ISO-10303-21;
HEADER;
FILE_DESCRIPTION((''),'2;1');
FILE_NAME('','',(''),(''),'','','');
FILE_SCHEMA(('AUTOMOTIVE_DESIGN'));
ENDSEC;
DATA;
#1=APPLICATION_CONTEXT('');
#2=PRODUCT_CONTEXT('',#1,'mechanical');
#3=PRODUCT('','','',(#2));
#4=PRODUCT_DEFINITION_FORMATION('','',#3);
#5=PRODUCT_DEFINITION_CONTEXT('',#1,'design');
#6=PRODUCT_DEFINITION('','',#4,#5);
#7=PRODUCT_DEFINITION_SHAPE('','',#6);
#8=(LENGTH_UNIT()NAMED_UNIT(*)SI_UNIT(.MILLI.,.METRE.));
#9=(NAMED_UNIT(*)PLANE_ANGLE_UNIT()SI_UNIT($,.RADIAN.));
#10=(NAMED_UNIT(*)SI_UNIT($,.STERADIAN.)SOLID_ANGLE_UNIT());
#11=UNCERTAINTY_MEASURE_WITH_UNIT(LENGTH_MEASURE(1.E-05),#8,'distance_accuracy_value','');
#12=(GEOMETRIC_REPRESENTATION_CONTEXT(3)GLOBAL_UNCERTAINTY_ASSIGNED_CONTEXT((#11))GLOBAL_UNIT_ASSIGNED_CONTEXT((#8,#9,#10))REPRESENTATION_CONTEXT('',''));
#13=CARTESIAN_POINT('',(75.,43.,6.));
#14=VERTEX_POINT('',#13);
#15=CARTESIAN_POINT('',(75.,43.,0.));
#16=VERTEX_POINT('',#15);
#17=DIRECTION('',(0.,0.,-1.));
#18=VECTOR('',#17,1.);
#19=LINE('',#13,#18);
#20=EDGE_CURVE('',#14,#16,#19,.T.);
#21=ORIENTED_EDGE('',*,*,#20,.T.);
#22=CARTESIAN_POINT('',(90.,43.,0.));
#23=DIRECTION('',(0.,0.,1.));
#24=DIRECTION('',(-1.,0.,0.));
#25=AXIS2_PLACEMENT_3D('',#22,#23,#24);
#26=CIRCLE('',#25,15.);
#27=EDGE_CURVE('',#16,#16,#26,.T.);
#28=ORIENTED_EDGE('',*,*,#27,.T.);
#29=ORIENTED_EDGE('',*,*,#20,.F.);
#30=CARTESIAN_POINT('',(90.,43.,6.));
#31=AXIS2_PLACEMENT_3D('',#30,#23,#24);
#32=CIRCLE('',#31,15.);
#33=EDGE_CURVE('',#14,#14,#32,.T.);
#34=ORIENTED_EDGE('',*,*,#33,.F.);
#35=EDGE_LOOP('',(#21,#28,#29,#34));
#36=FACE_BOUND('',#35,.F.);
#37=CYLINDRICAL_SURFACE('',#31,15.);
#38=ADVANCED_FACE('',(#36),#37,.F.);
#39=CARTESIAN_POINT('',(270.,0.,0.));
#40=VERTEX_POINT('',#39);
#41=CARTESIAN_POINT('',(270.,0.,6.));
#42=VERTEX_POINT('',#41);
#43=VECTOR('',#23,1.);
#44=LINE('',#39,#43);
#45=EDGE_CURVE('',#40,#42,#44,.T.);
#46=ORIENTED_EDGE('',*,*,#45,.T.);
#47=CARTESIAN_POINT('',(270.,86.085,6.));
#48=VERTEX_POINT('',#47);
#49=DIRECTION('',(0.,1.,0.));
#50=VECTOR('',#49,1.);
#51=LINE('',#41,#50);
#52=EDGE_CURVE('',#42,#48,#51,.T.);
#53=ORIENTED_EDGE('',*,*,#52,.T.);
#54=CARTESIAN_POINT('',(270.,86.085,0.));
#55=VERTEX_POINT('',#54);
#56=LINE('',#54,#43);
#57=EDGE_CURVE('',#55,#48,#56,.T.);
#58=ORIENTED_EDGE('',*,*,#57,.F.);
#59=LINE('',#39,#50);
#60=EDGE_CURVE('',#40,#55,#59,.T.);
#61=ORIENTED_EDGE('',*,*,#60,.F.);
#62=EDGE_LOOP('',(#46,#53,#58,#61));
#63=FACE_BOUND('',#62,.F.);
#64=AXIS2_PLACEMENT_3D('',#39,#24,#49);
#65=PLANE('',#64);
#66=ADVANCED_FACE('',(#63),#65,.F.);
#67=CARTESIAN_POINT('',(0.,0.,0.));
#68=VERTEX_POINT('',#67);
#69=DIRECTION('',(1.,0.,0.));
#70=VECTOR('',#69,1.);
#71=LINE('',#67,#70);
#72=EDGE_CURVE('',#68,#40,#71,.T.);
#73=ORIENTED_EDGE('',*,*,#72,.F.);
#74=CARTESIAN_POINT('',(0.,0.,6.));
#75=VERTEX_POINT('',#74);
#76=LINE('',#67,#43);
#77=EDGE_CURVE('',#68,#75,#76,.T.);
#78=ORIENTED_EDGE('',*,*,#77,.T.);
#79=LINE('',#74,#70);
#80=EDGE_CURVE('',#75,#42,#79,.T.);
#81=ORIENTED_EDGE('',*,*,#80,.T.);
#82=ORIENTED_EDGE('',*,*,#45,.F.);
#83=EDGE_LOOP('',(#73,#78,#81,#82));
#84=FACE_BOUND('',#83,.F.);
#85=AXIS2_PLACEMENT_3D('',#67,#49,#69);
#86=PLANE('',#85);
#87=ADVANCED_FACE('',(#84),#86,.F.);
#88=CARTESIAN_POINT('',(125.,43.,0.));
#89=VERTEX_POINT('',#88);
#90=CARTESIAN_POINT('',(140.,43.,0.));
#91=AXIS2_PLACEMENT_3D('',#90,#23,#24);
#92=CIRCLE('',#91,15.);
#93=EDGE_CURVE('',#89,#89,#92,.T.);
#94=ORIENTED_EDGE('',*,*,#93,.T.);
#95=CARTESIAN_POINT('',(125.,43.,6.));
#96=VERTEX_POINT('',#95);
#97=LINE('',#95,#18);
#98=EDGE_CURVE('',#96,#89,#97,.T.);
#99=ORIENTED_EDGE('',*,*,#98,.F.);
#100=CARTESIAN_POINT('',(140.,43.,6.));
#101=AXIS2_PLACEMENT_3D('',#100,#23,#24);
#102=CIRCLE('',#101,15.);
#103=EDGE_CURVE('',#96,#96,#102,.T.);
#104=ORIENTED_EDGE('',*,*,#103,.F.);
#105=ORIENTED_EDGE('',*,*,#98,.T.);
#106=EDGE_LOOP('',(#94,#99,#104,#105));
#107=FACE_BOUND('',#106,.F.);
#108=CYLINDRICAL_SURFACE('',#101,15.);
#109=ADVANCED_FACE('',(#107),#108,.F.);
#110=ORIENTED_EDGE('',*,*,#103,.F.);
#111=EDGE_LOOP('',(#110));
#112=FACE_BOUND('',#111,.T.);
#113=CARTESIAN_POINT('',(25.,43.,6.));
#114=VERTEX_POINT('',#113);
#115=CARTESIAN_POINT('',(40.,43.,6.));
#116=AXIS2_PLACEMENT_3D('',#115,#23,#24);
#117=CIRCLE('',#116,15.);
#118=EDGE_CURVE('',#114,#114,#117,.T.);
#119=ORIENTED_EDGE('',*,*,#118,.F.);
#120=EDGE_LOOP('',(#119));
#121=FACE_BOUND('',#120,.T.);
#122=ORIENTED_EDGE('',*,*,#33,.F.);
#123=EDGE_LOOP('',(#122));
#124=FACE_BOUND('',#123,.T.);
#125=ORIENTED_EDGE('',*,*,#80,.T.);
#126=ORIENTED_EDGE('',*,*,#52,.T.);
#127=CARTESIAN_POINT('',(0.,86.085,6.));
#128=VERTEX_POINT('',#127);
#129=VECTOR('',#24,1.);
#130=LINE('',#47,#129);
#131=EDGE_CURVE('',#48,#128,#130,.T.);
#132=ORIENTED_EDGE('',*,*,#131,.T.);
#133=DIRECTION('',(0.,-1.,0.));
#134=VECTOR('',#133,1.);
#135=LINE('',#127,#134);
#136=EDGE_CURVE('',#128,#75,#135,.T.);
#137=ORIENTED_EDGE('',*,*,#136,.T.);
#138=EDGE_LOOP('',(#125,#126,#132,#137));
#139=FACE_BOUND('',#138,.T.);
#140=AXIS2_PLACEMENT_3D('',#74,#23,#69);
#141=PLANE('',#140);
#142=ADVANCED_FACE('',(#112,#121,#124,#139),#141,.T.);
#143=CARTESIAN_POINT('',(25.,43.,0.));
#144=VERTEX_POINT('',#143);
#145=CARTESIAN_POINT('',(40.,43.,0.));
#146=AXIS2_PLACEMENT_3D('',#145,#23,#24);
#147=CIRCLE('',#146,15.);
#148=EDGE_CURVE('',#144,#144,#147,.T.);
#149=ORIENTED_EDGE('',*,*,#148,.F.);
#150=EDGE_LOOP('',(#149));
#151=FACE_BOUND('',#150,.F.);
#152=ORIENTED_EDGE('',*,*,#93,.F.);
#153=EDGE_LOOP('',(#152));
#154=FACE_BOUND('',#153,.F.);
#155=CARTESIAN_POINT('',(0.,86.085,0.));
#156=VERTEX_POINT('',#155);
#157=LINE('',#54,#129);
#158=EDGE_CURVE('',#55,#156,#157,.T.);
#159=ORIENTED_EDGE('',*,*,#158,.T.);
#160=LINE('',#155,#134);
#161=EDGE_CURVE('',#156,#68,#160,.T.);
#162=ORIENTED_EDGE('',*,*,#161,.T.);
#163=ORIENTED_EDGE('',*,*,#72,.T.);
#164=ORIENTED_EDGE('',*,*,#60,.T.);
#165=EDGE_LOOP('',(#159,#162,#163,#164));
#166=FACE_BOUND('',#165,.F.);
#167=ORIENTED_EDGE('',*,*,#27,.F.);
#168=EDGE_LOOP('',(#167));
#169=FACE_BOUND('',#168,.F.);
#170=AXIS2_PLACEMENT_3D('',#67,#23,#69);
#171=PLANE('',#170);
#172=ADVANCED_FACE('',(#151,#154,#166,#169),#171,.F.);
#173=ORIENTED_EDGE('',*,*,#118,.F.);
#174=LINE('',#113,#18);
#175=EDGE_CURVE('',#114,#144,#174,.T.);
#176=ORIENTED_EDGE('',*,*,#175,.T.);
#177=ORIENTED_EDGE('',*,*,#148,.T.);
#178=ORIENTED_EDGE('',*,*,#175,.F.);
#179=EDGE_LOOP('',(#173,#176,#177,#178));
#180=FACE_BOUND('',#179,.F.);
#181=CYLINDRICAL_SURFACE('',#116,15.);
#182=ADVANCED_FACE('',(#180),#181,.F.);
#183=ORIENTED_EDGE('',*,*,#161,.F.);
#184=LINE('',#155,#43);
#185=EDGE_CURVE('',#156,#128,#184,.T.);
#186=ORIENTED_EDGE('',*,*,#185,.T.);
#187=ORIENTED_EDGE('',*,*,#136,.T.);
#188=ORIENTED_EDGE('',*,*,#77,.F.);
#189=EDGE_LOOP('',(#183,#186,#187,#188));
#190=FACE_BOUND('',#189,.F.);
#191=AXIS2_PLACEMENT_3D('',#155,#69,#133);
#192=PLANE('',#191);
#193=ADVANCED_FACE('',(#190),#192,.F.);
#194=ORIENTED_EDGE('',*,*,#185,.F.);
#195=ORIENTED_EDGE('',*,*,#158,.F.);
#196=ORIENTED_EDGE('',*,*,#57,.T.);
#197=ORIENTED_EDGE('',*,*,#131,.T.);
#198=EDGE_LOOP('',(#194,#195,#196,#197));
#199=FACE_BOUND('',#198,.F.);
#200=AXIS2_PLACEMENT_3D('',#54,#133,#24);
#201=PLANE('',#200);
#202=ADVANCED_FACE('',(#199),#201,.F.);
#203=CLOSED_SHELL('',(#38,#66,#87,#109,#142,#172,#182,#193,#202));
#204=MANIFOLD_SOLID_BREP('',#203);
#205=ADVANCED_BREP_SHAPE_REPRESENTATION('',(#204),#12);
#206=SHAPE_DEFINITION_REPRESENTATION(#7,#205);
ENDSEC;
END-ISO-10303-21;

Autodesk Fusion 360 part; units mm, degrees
sketch "Control Panel Top" plane through (0, 0, 0) normal (0, 0, 1) x (1, 0, 0)
  line L0 (0, 0) -> (270, 0)
  line L1 (270, 0) -> (270, 86.085)
  line L2 (270, 86.085) -> (0, 86.085)
  line L3 (0, 86.085) -> (0, 0)
  dimension "d6" = 270
  dimension "d7" = 86.085
extrude "Extrude1" add sketch "Control Panel Top" along normal blind 6
sketch "Button Layout" plane through (0, 0, 6) normal (0, 0, 1) x (-1, 0, 0)
  line L0 (0, -86.085) -> (0, 0)
  line L1 (0, 0) -> (-270, 0)
  line L2 (-270, 0) -> (-270, -86.085)
  line L3 (-270, -86.085) -> (0, -86.085)
  circle A0 centre (-90, -43) radius 15
  circle A1 centre (-140, -43) radius 15
  circle A2 centre (-40, -43) radius 15
  dimension "d12" = 30
  dimension "d13" = 30
  dimension "d14" = 30
  dimension "d17" = 40
  dimension "d20" = 50
  dimension "d21" = 43
  dimension "d22" = 43
  dimension "d23" = 43
  dimension "d24" = 50
extrude "Extrude2" cut sketch "Button Layout" against normal blind 6 contours A0 | A1
extrude "Extrude3" cut sketch "Button Layout" against normal blind 6 contours A2
equation "MDFThickness = 6 mm" comment "Thickness of the MDF board"
equation "d2 = MDFThickness"
equation "controlPanelTopLength = 75 mm" comment "Length of the top plate of the control panel"
equation "controlPanelTopWidth = 250 mm" comment "Width of the top plate of the control panel"
equation "d9 = -MDFThickness"
equation "arcadeButtonDiameter = 30 mm" comment "Diameter of the Arcade Game Buttons"
equation "d12 = arcadeButtonDiameter"
equation "d13 = arcadeButtonDiameter"
equation "d14 = arcadeButtonDiameter"
equation "d15 = -MDFThickness"
equation "d21 = ( 86 / 2 ) * 1 mm"
equation "d22 = ( 86 / 2 ) * 1 mm"
equation "d23 = ( 86 / 2 ) * 1 mm"
